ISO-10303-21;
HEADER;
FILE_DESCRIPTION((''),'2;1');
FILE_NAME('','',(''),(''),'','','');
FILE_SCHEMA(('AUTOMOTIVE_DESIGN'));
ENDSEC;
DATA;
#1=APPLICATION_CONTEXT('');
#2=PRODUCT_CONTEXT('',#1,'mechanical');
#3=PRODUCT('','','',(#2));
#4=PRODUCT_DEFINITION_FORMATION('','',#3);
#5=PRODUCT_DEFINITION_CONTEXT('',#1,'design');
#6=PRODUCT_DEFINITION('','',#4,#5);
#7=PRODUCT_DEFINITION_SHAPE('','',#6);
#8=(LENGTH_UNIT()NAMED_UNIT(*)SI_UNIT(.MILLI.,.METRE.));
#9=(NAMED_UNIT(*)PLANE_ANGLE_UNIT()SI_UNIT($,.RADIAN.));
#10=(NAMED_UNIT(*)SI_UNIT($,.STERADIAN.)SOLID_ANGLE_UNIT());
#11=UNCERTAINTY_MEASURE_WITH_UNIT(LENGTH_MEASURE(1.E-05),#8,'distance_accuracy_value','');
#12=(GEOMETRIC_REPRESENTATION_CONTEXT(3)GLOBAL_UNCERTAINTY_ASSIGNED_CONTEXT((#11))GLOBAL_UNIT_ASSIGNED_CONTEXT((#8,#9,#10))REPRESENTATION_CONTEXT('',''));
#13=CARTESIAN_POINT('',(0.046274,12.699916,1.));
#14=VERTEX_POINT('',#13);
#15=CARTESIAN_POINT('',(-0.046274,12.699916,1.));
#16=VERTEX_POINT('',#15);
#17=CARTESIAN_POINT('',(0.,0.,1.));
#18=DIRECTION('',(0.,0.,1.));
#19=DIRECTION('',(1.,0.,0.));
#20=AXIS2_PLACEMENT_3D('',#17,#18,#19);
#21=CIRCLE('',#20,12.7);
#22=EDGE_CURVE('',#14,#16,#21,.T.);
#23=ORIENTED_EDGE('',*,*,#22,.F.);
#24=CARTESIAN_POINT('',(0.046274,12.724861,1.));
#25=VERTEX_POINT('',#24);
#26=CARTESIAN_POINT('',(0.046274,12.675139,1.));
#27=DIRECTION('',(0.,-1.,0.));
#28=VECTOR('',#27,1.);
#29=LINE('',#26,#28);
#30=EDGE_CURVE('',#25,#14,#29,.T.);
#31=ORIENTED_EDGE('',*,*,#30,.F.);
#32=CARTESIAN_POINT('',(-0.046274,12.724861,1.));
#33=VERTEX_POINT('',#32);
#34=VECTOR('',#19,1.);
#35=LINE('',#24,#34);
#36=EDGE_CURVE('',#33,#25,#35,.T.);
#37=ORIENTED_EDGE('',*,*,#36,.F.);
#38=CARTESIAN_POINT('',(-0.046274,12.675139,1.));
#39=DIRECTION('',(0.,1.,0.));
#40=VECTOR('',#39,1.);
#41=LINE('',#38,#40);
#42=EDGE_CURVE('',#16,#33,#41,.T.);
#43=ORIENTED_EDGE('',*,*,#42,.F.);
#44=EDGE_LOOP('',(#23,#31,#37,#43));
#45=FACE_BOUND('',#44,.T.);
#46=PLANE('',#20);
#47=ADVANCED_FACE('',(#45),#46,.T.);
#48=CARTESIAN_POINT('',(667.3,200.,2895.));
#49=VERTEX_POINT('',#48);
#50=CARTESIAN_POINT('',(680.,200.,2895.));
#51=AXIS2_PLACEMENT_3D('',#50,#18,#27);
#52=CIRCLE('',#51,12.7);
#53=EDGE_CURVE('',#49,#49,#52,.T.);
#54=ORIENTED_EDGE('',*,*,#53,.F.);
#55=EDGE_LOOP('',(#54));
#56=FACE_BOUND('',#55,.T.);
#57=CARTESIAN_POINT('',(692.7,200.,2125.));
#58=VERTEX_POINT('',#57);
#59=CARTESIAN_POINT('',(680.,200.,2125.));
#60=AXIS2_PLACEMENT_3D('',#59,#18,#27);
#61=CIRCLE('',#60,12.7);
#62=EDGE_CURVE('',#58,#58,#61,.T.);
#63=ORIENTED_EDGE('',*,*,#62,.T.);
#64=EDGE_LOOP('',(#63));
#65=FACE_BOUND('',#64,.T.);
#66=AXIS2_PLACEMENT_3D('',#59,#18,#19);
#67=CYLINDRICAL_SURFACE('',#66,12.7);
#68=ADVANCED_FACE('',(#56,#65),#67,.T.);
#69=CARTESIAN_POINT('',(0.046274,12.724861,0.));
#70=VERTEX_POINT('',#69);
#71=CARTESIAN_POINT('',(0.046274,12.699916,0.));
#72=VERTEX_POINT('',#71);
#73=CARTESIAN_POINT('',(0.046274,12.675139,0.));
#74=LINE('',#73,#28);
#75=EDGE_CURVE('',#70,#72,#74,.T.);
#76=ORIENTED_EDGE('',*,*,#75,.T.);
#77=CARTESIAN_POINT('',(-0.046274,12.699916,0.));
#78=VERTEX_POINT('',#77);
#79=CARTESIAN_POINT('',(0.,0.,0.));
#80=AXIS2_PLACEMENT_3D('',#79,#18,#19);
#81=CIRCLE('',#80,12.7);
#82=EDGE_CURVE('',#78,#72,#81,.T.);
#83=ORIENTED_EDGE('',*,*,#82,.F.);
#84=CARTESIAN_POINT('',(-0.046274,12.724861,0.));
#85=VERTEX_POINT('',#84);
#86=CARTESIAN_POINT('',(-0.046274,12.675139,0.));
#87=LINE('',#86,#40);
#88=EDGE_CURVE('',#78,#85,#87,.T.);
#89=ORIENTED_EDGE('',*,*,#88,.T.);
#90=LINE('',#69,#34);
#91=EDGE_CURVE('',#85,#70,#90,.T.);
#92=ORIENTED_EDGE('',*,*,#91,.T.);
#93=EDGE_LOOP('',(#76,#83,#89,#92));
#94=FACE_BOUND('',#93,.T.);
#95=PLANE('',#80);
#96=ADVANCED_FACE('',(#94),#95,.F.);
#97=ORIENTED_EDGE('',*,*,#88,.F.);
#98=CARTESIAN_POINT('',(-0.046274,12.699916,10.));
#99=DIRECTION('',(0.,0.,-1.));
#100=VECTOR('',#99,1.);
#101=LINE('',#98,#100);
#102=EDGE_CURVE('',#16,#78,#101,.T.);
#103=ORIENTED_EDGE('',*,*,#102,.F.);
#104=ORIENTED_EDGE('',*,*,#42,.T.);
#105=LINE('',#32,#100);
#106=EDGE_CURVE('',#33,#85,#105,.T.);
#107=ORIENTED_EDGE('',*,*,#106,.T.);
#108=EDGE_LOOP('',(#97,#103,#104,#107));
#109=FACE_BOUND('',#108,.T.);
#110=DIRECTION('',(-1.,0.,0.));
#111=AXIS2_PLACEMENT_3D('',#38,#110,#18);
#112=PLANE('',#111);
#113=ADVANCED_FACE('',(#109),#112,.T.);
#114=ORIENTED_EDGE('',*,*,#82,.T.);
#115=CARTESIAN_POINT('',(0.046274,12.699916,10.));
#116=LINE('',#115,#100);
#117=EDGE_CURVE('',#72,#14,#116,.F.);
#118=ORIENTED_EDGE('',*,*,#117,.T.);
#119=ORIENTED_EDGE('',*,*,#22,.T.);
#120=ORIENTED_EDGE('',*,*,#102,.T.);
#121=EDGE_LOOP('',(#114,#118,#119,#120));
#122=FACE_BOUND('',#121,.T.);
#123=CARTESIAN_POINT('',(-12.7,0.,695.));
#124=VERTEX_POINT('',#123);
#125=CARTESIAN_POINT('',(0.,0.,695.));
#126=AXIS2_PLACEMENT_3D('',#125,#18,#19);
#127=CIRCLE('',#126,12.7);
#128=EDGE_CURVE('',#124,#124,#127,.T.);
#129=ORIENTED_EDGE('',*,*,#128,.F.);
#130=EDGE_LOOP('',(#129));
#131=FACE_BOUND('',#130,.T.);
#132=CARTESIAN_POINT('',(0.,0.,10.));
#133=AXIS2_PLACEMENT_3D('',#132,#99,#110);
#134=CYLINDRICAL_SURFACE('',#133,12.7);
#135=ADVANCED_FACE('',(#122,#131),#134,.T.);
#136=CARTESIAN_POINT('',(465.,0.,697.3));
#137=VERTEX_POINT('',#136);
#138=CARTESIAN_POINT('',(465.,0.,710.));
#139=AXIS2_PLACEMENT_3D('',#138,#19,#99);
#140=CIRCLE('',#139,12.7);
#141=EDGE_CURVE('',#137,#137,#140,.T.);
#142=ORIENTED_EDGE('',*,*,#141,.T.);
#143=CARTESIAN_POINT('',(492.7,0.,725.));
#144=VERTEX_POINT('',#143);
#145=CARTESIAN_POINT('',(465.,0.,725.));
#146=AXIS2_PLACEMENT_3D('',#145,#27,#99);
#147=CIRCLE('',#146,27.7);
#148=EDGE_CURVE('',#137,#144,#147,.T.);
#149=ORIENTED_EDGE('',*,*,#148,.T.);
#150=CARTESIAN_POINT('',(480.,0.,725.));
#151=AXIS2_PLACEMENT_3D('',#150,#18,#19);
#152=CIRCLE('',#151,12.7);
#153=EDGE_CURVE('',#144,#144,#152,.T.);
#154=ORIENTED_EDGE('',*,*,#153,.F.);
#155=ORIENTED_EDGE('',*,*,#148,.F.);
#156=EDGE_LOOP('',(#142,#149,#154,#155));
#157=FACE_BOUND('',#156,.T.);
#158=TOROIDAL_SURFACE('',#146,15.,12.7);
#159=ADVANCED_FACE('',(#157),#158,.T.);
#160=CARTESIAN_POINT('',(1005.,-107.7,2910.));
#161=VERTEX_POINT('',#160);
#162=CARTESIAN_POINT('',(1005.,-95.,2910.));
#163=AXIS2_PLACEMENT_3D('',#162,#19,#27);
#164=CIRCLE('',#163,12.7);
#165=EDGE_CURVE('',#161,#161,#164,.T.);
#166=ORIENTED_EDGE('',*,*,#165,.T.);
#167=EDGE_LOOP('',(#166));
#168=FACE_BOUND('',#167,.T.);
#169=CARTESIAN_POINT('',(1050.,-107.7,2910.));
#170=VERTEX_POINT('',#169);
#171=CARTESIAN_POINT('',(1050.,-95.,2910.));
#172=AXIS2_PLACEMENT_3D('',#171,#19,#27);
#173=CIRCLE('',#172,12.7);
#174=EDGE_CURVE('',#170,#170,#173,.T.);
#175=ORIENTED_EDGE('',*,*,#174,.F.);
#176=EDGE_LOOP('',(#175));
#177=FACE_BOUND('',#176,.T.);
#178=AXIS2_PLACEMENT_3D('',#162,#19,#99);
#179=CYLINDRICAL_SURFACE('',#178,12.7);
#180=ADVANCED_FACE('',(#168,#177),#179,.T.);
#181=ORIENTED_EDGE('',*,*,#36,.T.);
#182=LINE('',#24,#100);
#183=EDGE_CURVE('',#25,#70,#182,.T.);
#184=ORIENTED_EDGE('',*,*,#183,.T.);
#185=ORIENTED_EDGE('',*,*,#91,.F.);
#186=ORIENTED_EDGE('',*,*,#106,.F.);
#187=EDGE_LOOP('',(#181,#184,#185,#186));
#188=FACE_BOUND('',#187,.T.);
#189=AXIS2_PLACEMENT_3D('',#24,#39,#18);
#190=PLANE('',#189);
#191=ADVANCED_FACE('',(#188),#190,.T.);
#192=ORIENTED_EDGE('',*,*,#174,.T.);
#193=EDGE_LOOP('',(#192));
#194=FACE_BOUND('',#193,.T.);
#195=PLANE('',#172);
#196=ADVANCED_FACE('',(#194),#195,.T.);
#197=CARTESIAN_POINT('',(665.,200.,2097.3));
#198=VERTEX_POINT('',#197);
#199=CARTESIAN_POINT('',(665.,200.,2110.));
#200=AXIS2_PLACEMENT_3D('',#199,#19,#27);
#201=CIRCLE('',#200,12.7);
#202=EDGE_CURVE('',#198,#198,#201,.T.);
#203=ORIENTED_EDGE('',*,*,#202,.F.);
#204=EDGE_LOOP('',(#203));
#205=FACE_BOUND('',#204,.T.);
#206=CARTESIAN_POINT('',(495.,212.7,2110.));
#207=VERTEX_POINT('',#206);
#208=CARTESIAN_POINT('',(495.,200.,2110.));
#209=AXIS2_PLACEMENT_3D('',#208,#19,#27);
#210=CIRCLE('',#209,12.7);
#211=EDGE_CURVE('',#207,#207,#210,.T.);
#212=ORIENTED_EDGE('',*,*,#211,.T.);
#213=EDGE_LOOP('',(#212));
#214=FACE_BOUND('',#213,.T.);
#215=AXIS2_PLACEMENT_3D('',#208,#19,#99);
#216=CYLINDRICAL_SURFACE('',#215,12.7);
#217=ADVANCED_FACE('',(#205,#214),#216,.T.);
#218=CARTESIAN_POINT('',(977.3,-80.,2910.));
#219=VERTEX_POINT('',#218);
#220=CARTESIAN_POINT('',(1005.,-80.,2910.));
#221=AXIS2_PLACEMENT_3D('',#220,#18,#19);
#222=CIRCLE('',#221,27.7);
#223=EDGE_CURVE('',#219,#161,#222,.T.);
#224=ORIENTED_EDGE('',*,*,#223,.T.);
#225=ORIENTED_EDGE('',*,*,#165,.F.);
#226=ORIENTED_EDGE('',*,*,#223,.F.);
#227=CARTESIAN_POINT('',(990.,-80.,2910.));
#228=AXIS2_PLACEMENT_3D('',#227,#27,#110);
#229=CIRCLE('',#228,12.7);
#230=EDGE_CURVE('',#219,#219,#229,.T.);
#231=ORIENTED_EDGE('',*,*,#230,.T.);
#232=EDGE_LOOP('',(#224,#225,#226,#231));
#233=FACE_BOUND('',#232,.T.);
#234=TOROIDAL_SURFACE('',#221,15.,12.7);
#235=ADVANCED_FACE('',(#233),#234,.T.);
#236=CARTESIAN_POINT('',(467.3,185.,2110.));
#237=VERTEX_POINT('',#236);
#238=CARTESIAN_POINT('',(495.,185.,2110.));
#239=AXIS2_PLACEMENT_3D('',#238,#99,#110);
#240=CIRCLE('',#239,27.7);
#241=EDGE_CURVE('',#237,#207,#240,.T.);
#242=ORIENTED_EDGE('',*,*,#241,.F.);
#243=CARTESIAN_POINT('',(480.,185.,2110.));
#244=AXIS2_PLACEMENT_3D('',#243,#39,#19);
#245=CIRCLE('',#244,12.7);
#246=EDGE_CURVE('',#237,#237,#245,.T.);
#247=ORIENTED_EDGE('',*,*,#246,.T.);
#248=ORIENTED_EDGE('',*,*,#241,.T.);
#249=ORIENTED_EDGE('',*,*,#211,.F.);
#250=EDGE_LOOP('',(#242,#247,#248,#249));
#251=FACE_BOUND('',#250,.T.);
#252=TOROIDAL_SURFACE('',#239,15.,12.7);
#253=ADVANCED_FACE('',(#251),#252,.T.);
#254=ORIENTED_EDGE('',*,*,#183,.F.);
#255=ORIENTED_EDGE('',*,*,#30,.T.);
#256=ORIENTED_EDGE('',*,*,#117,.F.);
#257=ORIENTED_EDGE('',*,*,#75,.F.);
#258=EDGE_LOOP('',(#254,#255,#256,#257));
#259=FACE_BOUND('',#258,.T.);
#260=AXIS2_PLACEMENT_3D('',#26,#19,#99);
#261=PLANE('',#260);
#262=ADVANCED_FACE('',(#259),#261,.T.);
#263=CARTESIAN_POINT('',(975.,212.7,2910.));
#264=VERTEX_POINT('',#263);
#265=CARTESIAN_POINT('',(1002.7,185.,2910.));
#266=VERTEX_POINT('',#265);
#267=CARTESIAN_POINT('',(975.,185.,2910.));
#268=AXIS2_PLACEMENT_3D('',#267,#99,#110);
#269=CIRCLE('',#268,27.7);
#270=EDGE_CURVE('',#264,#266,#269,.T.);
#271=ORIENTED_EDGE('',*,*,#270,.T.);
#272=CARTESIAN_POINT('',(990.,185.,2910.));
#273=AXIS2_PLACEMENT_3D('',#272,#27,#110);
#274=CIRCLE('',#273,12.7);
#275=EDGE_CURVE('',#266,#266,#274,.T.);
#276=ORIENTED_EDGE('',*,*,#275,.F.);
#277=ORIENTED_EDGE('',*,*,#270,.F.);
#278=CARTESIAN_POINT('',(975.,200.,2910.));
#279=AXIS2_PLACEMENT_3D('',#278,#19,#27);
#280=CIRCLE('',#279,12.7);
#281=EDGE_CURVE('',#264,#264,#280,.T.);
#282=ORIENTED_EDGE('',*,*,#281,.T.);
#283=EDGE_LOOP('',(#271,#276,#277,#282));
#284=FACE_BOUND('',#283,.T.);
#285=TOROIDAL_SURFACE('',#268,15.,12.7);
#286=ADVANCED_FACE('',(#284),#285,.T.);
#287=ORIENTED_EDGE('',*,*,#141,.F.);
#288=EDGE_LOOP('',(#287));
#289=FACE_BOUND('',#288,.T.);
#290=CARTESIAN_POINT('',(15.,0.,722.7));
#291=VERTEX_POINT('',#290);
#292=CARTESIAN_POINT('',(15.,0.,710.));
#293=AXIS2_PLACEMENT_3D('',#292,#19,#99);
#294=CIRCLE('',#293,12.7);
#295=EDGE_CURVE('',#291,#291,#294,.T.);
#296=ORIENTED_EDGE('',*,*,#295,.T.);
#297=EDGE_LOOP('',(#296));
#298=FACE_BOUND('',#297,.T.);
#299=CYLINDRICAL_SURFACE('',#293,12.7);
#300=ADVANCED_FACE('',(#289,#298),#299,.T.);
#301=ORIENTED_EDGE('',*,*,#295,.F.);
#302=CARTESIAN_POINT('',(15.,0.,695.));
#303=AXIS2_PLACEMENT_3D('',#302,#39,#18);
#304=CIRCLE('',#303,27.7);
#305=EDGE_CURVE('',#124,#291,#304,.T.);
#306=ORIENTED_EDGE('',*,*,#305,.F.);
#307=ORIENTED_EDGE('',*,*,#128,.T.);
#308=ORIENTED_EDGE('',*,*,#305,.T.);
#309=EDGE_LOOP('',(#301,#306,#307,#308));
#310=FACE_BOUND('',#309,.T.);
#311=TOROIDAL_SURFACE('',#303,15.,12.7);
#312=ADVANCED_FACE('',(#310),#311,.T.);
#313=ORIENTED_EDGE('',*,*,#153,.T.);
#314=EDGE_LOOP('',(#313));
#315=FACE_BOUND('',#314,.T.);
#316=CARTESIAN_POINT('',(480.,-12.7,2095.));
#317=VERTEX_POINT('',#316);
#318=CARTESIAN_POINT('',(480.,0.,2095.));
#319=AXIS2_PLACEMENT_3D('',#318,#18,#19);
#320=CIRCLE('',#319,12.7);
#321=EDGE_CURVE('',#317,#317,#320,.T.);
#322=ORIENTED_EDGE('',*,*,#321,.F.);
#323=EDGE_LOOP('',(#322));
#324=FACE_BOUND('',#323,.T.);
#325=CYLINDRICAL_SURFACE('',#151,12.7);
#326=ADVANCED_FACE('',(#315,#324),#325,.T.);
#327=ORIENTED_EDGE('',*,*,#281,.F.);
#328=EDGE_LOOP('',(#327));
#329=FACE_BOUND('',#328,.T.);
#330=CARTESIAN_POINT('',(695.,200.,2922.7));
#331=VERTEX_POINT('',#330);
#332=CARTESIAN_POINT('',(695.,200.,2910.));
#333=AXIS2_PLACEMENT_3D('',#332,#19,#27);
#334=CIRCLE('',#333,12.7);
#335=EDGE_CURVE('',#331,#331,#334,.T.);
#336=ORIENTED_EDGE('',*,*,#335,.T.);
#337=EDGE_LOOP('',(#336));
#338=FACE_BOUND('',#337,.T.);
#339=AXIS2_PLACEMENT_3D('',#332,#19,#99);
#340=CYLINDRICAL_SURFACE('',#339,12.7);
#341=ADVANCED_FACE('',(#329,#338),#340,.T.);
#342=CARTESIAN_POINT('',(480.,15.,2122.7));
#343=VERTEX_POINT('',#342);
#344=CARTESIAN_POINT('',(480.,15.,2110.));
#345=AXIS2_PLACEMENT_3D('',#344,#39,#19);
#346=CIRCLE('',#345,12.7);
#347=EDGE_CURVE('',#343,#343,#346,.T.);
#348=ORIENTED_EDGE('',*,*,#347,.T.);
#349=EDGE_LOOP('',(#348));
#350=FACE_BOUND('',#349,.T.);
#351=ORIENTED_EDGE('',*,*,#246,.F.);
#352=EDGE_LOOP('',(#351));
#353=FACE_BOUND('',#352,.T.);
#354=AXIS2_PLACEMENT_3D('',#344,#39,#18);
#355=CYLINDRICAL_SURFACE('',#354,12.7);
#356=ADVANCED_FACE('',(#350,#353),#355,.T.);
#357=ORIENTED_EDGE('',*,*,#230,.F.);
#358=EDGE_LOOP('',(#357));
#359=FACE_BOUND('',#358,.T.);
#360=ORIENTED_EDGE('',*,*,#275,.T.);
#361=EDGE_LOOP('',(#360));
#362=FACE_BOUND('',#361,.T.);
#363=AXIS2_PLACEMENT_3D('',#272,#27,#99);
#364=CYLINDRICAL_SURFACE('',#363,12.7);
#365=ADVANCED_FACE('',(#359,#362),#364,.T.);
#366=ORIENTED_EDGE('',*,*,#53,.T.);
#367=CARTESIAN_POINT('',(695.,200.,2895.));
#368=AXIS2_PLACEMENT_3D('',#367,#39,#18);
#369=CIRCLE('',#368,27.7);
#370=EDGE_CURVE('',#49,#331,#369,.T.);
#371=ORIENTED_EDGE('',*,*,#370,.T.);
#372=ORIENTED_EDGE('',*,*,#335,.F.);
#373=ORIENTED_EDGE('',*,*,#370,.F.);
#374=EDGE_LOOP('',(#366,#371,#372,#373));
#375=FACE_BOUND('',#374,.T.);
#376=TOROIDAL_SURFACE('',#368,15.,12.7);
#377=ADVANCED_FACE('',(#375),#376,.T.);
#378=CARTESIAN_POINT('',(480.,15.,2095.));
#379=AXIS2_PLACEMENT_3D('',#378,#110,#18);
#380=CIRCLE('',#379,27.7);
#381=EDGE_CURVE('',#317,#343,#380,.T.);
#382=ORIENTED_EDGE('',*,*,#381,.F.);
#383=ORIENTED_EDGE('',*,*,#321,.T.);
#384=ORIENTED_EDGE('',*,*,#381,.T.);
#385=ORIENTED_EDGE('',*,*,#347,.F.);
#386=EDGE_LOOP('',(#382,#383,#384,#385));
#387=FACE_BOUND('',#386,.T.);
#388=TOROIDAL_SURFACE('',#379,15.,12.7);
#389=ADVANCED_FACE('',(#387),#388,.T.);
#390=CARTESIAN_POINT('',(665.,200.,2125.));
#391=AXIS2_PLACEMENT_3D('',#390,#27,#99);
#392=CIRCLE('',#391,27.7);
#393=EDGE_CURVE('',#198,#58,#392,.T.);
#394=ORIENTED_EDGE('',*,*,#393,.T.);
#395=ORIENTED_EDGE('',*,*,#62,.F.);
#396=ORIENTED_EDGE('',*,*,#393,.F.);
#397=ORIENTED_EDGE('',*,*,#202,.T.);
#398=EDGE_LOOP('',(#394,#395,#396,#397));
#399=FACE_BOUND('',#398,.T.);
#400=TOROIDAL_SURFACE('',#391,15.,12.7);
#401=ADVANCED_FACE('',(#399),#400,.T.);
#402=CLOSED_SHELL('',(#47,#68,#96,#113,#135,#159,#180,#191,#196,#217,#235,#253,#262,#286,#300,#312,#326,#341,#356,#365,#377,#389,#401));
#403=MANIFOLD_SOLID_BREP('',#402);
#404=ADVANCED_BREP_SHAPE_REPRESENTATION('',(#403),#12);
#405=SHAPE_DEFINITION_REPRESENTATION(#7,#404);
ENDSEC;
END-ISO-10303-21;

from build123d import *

# Parameters (mm, degrees)
CROQUIS1_R              = 12.7
SALIENTE_EXTRUIR1_DEPTH = 10
CROQUIS2_R              = 12.7
CROQUIS3_W              = 0.092547174
CROQUIS3_H              = 0.049722896
SALIENTE_EXTRUIR2_DEPTH = 1


with BuildPart() as part:
    # Croquis1 → Saliente-Extruir1 (new body)
    with BuildSketch(Plane.XY):
        Circle(CROQUIS1_R)
    extrude(amount=SALIENTE_EXTRUIR1_DEPTH)

    # Barrer1: sweep along a curve in space
    with BuildLine() as barrer1_path:
        Line((0, 0, 10), (0, 0, 695))
        ThreePointArc((0, 0, 695), (4.393398282, 0, 705.606601718), (15, 0, 710))
        Line((15, 0, 710), (465, 0, 710))
        ThreePointArc((465, 0, 710), (475.606601718, 0, 714.393398282), (480, 0, 725))
        Line((480, 0, 725), (480, 0, 2095))
        ThreePointArc((480, 0, 2095), (480, 4.393398282, 2105.606601718), (480, 15, 2110))
        Line((480, 15, 2110), (480, 185, 2110))
        ThreePointArc((480, 185, 2110), (484.393398282, 195.606601718, 2110), (495, 200, 2110))
        Line((495, 200, 2110), (665, 200, 2110))
        ThreePointArc((665, 200, 2110), (675.606601718, 200, 2114.393398282), (680, 200, 2125))
        Line((680, 200, 2125), (680, 200, 2895))
        ThreePointArc((680, 200, 2895), (684.393398282, 200, 2905.606601718), (695, 200, 2910))
        Line((695, 200, 2910), (975, 200, 2910))
        ThreePointArc((975, 200, 2910), (985.606601718, 195.606601718, 2910), (990, 185, 2910))
        Line((990, 185, 2910), (990, -80, 2910))
        ThreePointArc((990, -80, 2910), (994.393398282, -90.606601718, 2910), (1005, -95, 2910))
        Line((1005, -95, 2910), (1050, -95, 2910))
    # Croquis2 → Barrer1 (sweep)
    with BuildSketch(Plane.XY.offset(10)):
        Circle(CROQUIS2_R)
    sweep(path=barrer1_path.line)

    # Croquis3 → Saliente-Extruir2 (add)
    with BuildSketch(Plane(origin=(0, 0, 0), x_dir=(-1, 0, 0), z_dir=(0, 0, -1))):
        with Locations((0, 12.7)):
            Rectangle(CROQUIS3_W, CROQUIS3_H)
    extrude(amount=-SALIENTE_EXTRUIR2_DEPTH)


solid = part.part
